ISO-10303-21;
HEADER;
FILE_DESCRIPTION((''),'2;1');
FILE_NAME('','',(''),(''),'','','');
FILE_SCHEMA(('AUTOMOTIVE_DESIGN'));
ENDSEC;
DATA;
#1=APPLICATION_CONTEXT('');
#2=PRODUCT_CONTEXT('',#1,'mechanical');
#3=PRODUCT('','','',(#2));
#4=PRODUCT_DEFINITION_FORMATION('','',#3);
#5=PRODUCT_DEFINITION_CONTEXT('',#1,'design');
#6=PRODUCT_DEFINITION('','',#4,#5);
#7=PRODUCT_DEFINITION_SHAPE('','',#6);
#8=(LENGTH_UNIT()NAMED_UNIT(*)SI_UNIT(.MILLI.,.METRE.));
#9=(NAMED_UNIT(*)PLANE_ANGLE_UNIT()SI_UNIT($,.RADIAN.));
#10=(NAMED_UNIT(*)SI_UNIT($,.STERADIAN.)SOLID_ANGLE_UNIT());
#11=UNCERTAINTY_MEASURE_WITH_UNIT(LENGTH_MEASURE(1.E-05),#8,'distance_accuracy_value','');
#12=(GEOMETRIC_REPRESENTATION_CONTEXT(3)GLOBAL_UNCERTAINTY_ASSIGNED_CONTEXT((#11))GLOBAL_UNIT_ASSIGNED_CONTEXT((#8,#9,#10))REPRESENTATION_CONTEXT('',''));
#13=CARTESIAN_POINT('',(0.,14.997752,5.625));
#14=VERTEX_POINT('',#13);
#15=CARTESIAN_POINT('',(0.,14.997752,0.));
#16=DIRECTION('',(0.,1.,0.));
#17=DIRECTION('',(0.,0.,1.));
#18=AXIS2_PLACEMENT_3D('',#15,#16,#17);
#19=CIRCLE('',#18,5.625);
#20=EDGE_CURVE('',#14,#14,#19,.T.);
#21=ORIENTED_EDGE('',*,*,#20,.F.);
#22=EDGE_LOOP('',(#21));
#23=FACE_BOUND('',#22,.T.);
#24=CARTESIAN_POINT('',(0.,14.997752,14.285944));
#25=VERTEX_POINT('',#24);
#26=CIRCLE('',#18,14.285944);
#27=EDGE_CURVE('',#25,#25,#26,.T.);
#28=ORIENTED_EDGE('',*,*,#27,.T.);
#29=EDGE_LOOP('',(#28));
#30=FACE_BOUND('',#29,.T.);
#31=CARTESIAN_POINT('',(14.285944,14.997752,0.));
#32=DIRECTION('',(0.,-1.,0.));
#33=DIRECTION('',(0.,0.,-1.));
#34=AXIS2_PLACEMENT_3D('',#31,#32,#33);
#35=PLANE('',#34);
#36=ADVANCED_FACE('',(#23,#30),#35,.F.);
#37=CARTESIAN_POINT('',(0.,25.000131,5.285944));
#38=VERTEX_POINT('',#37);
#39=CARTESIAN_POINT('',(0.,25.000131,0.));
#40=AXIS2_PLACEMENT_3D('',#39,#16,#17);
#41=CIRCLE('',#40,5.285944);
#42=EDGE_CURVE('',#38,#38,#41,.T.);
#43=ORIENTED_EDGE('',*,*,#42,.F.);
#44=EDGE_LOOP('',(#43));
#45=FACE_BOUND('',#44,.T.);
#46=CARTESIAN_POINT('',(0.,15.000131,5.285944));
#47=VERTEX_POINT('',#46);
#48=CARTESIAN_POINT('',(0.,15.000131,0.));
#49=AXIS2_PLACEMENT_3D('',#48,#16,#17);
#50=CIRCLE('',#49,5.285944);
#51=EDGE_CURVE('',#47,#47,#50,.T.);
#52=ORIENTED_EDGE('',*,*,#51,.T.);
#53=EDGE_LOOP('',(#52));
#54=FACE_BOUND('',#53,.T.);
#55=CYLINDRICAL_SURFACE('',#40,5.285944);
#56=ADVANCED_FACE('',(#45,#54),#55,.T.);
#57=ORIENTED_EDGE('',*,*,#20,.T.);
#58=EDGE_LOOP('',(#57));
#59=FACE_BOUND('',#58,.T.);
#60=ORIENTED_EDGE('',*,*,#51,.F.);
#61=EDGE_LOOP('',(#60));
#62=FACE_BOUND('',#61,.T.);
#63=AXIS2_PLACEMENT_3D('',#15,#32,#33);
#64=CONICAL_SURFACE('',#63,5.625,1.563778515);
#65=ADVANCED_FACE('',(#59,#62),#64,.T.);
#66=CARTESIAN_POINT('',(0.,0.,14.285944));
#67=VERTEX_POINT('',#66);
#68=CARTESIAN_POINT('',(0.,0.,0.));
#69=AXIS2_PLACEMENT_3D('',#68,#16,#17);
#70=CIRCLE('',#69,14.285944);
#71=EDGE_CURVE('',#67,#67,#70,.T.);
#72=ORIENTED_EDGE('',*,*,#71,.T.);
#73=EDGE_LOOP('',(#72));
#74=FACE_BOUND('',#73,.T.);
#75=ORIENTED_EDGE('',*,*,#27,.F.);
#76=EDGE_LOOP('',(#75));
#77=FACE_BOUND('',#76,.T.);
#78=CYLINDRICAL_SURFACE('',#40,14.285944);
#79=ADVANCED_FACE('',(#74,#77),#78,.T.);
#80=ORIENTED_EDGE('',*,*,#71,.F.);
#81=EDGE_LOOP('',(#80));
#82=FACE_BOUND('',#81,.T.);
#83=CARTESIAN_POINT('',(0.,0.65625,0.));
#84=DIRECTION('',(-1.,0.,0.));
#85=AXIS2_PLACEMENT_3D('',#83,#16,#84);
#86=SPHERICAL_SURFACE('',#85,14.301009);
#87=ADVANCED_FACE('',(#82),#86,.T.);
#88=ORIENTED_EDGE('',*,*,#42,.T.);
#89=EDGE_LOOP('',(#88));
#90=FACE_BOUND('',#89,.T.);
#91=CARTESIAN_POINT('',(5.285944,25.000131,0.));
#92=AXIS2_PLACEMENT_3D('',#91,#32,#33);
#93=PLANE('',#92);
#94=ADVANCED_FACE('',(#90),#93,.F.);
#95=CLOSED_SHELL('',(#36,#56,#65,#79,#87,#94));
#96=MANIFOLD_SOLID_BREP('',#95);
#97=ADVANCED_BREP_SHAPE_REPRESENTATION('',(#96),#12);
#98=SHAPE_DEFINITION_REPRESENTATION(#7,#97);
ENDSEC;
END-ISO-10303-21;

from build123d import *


with BuildPart() as part:
    # Sketch1 → Revolve1 (revolve)
    with BuildSketch(Plane.XY, mode=Mode.PRIVATE) as revolve1_sk:
        with BuildLine():
            Line((0, 25.000131346), (0, -13.644758808))
            ThreePointArc((0, -13.644758808), (9.877596263, -9.685507344), (14.285943751, 0))
            Line((14.285943751, 0), (14.285943751, 14.997751876))
            Line((14.285943751, 14.997751876), (5.625, 14.997751876))
            Line((5.625, 14.997751876), (5.285944065, 15.000131346))
            Line((5.285944065, 15.000131346), (5.285944065, 25.000131346))
            Line((5.285944065, 25.000131346), (0, 25.000131346))
        make_face()
    revolve(revolve1_sk.sketch.rotate(Axis((0, 25.000131346, 0), (0, -1, 0)), 90), axis=Axis((0, 25.000131346, 0), (0, -1, 0)))  # turned: the seam where the file's is


solid = part.part
